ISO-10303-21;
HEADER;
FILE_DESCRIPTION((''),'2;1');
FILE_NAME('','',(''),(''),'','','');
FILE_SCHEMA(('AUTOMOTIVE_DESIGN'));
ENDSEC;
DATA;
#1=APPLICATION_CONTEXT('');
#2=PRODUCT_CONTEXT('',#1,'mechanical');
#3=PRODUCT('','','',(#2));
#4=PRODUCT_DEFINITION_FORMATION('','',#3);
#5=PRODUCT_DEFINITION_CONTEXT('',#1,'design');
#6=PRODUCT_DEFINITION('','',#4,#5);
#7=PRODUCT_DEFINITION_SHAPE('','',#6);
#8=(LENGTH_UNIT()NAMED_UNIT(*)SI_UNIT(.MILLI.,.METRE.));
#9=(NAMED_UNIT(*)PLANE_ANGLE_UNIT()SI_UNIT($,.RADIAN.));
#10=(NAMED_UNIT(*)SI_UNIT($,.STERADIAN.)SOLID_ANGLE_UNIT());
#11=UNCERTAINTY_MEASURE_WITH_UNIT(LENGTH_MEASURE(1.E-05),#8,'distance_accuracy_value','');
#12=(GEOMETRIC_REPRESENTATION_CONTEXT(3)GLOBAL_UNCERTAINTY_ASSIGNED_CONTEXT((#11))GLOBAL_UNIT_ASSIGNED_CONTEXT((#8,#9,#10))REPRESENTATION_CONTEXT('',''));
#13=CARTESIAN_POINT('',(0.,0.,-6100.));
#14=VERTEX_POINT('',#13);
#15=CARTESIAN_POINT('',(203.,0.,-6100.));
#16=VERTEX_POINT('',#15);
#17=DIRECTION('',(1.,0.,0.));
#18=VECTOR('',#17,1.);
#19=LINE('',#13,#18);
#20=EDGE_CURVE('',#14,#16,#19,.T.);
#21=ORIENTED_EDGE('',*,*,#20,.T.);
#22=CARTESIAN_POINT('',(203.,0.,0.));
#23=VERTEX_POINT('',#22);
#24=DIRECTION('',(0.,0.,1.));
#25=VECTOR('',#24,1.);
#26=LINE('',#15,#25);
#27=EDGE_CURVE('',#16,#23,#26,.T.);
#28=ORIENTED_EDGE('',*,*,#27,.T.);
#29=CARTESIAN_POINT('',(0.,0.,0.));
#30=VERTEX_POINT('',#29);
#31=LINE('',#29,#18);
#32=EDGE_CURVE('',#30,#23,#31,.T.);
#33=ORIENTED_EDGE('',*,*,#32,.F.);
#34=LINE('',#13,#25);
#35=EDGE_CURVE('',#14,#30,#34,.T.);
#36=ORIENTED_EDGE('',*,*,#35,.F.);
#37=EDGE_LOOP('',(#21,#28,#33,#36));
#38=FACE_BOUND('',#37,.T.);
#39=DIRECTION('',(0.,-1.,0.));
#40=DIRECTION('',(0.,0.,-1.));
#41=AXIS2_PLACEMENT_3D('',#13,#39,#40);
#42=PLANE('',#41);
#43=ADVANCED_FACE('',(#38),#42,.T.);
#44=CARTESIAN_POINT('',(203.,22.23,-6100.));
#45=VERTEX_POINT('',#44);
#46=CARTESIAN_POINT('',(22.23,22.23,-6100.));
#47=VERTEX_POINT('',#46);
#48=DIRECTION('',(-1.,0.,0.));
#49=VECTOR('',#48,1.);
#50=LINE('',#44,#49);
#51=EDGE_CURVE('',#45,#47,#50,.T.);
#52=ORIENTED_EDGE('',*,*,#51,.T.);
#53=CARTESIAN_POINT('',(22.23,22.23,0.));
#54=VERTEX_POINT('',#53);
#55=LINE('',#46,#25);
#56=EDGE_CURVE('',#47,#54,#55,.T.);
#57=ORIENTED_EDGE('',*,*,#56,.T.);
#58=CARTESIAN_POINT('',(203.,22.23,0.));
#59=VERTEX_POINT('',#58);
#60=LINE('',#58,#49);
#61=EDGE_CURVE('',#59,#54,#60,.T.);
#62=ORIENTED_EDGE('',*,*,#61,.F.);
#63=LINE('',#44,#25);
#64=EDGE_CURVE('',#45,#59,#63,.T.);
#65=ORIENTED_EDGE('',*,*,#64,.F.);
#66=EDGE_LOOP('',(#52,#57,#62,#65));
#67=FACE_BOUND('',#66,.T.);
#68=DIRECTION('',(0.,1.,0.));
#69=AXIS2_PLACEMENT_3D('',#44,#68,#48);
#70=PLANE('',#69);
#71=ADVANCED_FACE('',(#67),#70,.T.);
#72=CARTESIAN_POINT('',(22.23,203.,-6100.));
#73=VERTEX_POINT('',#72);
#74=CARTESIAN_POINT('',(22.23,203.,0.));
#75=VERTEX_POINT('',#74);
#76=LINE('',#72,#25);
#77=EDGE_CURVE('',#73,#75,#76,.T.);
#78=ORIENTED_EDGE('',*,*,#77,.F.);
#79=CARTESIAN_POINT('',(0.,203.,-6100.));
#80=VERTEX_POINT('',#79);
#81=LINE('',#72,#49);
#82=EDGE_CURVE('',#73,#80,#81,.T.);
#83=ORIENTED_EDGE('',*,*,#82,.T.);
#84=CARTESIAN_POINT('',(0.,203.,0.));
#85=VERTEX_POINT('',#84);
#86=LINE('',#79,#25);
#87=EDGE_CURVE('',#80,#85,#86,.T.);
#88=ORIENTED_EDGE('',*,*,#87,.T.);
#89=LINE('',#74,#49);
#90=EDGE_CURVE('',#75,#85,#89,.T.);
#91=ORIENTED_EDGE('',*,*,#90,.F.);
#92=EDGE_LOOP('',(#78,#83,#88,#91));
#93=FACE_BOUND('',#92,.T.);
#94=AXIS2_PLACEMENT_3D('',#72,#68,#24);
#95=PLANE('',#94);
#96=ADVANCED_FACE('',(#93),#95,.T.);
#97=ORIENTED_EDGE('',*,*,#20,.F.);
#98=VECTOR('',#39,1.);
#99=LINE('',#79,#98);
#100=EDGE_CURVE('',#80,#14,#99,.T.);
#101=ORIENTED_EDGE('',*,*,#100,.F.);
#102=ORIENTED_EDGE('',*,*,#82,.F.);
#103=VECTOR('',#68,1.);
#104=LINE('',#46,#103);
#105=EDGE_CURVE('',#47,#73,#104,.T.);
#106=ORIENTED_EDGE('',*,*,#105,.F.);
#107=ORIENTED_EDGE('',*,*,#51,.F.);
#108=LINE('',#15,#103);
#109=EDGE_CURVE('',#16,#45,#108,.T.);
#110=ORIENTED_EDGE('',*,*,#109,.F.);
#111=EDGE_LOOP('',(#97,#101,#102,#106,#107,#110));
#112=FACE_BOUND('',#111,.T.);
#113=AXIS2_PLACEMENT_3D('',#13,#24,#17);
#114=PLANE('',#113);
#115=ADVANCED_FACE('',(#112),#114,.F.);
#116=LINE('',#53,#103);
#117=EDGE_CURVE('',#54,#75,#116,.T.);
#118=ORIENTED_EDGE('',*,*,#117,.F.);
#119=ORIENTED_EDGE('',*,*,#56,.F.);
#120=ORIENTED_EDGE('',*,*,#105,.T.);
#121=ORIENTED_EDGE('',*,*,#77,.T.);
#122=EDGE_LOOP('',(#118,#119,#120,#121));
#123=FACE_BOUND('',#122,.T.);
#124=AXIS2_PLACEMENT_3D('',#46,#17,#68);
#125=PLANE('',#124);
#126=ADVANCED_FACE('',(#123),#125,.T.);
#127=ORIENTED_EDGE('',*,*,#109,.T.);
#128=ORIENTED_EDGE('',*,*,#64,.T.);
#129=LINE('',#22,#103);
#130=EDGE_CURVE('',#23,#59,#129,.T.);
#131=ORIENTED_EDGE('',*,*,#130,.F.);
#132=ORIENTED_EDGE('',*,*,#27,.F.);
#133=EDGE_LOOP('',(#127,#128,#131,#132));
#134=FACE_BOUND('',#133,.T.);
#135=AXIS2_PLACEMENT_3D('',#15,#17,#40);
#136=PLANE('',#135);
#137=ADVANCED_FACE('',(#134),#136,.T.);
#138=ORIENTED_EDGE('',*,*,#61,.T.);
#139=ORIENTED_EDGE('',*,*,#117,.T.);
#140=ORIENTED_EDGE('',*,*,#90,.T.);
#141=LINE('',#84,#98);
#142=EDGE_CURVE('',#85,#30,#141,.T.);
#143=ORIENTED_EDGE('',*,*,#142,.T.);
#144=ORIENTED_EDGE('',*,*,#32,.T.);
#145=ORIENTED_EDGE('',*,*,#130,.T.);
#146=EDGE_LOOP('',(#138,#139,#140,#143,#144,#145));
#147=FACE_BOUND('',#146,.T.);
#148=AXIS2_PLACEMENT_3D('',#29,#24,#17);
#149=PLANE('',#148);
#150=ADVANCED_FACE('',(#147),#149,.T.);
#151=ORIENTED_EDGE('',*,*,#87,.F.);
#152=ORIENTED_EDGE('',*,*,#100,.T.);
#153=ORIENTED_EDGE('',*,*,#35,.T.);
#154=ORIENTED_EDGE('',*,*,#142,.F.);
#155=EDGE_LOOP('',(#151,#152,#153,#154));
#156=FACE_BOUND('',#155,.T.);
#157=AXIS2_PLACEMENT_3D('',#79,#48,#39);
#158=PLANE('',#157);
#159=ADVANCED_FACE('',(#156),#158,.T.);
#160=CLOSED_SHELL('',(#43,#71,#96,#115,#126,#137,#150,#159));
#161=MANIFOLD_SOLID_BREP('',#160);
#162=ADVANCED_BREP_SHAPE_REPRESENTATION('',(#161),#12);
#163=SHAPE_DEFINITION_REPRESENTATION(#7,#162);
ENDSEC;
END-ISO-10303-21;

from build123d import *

# Parameters (mm, degrees)
SALIENTE_EXTRUIR1_DEPTH = 6100


with BuildPart() as part:
    # Croquis1 → Saliente-Extruir1 (new body)
    with BuildSketch(Plane.XY):
        Polygon((0, 203), (0, 0), (203, 0), (203, 22.23), (22.23, 22.23), (22.23, 203), align=None)
    extrude(amount=-SALIENTE_EXTRUIR1_DEPTH)


solid = part.part
